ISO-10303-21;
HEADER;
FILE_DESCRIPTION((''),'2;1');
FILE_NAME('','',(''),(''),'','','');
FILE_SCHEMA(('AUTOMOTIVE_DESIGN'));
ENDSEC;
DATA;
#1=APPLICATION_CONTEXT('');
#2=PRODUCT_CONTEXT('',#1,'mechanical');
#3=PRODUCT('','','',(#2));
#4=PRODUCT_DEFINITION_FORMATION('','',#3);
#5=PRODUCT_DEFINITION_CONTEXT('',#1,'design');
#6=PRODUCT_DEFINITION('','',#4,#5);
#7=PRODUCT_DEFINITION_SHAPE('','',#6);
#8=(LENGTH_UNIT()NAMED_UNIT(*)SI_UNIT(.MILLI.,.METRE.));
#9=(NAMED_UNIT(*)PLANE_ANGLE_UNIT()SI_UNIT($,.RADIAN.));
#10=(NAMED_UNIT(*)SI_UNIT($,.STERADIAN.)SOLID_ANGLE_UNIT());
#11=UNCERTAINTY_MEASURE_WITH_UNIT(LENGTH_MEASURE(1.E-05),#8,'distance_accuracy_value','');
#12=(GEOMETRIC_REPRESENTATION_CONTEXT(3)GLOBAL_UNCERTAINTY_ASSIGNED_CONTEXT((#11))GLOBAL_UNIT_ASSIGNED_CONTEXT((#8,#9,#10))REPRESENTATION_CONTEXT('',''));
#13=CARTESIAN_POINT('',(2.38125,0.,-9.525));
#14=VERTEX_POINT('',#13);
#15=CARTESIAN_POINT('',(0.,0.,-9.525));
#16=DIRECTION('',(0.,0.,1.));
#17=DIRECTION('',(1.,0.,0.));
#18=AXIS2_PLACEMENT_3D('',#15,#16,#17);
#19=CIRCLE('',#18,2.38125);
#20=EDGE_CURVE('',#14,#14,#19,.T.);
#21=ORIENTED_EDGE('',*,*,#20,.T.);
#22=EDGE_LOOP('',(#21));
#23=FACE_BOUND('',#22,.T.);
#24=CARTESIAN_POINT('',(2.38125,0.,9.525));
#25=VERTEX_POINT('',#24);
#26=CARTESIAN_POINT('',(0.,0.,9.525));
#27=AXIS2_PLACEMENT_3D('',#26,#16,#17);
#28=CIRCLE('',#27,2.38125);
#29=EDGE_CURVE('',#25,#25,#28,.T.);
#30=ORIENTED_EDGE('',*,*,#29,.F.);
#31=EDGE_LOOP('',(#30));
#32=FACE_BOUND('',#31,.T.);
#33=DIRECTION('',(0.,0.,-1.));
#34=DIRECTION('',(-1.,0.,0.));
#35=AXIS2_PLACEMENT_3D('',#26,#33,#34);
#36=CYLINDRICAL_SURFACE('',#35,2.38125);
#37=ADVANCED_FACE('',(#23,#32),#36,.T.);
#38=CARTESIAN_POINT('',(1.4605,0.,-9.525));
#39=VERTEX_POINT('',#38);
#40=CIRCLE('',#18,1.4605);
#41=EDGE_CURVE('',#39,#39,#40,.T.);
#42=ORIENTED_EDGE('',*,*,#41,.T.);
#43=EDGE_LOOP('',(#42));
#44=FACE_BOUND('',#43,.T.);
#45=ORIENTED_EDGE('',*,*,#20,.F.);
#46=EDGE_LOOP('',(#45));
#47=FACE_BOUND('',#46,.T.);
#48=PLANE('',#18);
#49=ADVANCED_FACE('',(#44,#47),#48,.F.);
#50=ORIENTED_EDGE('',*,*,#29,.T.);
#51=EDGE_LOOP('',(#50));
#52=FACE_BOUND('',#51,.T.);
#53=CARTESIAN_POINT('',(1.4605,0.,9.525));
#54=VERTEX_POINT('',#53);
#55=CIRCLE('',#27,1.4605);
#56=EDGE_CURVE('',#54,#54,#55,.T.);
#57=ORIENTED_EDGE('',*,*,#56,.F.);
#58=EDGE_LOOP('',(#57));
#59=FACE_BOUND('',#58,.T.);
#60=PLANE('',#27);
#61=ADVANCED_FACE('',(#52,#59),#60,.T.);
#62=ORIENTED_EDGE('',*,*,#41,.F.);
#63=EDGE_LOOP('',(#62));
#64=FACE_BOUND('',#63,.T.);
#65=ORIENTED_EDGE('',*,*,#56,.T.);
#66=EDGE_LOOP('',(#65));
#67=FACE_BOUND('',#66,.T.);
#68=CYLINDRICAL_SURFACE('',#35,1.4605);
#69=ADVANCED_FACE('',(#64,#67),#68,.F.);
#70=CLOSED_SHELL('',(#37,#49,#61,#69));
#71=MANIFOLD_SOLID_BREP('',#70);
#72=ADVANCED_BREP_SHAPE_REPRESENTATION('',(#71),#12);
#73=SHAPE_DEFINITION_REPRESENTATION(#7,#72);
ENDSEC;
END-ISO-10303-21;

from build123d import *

# Parameters (mm, degrees)
SKETCH1_R      = 2.38125
SKETCH1_R_2    = 1.4605
EXTRUDE1_DEPTH = 9.525


with BuildPart() as part:
    # Sketch1 → Extrude1 (new body, symmetric)
    with BuildSketch(Plane.XY):
        Circle(SKETCH1_R)
        Circle(SKETCH1_R_2, mode=Mode.SUBTRACT)
    extrude(amount=EXTRUDE1_DEPTH, both=True)


solid = part.part
